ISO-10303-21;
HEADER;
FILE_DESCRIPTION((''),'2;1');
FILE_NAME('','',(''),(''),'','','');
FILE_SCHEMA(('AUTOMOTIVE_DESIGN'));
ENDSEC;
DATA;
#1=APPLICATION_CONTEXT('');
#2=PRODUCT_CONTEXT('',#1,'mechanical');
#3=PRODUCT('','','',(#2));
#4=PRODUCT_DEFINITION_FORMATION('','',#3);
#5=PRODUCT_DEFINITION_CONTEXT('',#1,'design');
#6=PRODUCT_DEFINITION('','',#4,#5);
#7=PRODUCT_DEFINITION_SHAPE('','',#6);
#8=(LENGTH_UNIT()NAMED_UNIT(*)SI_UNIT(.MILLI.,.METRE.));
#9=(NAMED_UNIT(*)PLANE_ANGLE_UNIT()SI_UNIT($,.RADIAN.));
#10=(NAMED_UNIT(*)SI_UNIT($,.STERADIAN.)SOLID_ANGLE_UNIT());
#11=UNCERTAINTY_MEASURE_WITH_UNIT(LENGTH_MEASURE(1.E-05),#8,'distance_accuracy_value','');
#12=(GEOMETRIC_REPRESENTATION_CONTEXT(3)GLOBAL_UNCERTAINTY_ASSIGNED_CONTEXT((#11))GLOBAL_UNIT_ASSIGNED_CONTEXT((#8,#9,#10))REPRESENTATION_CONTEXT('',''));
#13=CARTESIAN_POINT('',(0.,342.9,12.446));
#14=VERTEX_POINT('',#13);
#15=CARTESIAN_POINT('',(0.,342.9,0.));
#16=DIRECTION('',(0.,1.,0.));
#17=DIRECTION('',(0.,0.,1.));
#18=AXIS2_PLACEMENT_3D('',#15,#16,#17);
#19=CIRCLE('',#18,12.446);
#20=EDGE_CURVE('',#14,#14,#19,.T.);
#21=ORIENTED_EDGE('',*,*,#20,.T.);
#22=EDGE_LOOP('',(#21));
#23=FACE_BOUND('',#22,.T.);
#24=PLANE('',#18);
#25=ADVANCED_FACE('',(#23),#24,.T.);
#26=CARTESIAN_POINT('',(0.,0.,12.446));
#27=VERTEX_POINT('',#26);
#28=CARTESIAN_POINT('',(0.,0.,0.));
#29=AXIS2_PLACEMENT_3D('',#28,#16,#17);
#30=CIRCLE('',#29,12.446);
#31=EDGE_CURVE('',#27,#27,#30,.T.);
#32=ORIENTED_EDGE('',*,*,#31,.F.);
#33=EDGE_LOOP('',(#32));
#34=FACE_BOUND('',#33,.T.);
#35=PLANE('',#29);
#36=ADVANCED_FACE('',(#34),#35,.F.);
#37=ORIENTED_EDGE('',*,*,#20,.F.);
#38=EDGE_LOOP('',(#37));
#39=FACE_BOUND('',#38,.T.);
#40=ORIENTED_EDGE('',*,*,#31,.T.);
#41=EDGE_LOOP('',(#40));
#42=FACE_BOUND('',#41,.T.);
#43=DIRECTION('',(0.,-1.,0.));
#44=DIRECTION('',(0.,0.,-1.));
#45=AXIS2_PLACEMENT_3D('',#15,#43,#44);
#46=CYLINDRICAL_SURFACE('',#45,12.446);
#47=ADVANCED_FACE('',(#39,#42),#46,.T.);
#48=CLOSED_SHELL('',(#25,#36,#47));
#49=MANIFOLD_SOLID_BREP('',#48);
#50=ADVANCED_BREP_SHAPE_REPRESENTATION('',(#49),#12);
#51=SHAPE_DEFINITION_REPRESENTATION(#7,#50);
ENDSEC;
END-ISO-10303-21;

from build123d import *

# Parameters (mm, degrees)
SKETCH1_R           = 12.446
BOSS_EXTRUDE1_DEPTH = 342.9


with BuildPart() as part:
    # Sketch1 → Boss-Extrude1 (new body)
    with BuildSketch(Plane(origin=(0, 0, 0), x_dir=(1, 0, 0), z_dir=(0, 1, 0))):
        Circle(SKETCH1_R)
    extrude(amount=BOSS_EXTRUDE1_DEPTH)


solid = part.part
